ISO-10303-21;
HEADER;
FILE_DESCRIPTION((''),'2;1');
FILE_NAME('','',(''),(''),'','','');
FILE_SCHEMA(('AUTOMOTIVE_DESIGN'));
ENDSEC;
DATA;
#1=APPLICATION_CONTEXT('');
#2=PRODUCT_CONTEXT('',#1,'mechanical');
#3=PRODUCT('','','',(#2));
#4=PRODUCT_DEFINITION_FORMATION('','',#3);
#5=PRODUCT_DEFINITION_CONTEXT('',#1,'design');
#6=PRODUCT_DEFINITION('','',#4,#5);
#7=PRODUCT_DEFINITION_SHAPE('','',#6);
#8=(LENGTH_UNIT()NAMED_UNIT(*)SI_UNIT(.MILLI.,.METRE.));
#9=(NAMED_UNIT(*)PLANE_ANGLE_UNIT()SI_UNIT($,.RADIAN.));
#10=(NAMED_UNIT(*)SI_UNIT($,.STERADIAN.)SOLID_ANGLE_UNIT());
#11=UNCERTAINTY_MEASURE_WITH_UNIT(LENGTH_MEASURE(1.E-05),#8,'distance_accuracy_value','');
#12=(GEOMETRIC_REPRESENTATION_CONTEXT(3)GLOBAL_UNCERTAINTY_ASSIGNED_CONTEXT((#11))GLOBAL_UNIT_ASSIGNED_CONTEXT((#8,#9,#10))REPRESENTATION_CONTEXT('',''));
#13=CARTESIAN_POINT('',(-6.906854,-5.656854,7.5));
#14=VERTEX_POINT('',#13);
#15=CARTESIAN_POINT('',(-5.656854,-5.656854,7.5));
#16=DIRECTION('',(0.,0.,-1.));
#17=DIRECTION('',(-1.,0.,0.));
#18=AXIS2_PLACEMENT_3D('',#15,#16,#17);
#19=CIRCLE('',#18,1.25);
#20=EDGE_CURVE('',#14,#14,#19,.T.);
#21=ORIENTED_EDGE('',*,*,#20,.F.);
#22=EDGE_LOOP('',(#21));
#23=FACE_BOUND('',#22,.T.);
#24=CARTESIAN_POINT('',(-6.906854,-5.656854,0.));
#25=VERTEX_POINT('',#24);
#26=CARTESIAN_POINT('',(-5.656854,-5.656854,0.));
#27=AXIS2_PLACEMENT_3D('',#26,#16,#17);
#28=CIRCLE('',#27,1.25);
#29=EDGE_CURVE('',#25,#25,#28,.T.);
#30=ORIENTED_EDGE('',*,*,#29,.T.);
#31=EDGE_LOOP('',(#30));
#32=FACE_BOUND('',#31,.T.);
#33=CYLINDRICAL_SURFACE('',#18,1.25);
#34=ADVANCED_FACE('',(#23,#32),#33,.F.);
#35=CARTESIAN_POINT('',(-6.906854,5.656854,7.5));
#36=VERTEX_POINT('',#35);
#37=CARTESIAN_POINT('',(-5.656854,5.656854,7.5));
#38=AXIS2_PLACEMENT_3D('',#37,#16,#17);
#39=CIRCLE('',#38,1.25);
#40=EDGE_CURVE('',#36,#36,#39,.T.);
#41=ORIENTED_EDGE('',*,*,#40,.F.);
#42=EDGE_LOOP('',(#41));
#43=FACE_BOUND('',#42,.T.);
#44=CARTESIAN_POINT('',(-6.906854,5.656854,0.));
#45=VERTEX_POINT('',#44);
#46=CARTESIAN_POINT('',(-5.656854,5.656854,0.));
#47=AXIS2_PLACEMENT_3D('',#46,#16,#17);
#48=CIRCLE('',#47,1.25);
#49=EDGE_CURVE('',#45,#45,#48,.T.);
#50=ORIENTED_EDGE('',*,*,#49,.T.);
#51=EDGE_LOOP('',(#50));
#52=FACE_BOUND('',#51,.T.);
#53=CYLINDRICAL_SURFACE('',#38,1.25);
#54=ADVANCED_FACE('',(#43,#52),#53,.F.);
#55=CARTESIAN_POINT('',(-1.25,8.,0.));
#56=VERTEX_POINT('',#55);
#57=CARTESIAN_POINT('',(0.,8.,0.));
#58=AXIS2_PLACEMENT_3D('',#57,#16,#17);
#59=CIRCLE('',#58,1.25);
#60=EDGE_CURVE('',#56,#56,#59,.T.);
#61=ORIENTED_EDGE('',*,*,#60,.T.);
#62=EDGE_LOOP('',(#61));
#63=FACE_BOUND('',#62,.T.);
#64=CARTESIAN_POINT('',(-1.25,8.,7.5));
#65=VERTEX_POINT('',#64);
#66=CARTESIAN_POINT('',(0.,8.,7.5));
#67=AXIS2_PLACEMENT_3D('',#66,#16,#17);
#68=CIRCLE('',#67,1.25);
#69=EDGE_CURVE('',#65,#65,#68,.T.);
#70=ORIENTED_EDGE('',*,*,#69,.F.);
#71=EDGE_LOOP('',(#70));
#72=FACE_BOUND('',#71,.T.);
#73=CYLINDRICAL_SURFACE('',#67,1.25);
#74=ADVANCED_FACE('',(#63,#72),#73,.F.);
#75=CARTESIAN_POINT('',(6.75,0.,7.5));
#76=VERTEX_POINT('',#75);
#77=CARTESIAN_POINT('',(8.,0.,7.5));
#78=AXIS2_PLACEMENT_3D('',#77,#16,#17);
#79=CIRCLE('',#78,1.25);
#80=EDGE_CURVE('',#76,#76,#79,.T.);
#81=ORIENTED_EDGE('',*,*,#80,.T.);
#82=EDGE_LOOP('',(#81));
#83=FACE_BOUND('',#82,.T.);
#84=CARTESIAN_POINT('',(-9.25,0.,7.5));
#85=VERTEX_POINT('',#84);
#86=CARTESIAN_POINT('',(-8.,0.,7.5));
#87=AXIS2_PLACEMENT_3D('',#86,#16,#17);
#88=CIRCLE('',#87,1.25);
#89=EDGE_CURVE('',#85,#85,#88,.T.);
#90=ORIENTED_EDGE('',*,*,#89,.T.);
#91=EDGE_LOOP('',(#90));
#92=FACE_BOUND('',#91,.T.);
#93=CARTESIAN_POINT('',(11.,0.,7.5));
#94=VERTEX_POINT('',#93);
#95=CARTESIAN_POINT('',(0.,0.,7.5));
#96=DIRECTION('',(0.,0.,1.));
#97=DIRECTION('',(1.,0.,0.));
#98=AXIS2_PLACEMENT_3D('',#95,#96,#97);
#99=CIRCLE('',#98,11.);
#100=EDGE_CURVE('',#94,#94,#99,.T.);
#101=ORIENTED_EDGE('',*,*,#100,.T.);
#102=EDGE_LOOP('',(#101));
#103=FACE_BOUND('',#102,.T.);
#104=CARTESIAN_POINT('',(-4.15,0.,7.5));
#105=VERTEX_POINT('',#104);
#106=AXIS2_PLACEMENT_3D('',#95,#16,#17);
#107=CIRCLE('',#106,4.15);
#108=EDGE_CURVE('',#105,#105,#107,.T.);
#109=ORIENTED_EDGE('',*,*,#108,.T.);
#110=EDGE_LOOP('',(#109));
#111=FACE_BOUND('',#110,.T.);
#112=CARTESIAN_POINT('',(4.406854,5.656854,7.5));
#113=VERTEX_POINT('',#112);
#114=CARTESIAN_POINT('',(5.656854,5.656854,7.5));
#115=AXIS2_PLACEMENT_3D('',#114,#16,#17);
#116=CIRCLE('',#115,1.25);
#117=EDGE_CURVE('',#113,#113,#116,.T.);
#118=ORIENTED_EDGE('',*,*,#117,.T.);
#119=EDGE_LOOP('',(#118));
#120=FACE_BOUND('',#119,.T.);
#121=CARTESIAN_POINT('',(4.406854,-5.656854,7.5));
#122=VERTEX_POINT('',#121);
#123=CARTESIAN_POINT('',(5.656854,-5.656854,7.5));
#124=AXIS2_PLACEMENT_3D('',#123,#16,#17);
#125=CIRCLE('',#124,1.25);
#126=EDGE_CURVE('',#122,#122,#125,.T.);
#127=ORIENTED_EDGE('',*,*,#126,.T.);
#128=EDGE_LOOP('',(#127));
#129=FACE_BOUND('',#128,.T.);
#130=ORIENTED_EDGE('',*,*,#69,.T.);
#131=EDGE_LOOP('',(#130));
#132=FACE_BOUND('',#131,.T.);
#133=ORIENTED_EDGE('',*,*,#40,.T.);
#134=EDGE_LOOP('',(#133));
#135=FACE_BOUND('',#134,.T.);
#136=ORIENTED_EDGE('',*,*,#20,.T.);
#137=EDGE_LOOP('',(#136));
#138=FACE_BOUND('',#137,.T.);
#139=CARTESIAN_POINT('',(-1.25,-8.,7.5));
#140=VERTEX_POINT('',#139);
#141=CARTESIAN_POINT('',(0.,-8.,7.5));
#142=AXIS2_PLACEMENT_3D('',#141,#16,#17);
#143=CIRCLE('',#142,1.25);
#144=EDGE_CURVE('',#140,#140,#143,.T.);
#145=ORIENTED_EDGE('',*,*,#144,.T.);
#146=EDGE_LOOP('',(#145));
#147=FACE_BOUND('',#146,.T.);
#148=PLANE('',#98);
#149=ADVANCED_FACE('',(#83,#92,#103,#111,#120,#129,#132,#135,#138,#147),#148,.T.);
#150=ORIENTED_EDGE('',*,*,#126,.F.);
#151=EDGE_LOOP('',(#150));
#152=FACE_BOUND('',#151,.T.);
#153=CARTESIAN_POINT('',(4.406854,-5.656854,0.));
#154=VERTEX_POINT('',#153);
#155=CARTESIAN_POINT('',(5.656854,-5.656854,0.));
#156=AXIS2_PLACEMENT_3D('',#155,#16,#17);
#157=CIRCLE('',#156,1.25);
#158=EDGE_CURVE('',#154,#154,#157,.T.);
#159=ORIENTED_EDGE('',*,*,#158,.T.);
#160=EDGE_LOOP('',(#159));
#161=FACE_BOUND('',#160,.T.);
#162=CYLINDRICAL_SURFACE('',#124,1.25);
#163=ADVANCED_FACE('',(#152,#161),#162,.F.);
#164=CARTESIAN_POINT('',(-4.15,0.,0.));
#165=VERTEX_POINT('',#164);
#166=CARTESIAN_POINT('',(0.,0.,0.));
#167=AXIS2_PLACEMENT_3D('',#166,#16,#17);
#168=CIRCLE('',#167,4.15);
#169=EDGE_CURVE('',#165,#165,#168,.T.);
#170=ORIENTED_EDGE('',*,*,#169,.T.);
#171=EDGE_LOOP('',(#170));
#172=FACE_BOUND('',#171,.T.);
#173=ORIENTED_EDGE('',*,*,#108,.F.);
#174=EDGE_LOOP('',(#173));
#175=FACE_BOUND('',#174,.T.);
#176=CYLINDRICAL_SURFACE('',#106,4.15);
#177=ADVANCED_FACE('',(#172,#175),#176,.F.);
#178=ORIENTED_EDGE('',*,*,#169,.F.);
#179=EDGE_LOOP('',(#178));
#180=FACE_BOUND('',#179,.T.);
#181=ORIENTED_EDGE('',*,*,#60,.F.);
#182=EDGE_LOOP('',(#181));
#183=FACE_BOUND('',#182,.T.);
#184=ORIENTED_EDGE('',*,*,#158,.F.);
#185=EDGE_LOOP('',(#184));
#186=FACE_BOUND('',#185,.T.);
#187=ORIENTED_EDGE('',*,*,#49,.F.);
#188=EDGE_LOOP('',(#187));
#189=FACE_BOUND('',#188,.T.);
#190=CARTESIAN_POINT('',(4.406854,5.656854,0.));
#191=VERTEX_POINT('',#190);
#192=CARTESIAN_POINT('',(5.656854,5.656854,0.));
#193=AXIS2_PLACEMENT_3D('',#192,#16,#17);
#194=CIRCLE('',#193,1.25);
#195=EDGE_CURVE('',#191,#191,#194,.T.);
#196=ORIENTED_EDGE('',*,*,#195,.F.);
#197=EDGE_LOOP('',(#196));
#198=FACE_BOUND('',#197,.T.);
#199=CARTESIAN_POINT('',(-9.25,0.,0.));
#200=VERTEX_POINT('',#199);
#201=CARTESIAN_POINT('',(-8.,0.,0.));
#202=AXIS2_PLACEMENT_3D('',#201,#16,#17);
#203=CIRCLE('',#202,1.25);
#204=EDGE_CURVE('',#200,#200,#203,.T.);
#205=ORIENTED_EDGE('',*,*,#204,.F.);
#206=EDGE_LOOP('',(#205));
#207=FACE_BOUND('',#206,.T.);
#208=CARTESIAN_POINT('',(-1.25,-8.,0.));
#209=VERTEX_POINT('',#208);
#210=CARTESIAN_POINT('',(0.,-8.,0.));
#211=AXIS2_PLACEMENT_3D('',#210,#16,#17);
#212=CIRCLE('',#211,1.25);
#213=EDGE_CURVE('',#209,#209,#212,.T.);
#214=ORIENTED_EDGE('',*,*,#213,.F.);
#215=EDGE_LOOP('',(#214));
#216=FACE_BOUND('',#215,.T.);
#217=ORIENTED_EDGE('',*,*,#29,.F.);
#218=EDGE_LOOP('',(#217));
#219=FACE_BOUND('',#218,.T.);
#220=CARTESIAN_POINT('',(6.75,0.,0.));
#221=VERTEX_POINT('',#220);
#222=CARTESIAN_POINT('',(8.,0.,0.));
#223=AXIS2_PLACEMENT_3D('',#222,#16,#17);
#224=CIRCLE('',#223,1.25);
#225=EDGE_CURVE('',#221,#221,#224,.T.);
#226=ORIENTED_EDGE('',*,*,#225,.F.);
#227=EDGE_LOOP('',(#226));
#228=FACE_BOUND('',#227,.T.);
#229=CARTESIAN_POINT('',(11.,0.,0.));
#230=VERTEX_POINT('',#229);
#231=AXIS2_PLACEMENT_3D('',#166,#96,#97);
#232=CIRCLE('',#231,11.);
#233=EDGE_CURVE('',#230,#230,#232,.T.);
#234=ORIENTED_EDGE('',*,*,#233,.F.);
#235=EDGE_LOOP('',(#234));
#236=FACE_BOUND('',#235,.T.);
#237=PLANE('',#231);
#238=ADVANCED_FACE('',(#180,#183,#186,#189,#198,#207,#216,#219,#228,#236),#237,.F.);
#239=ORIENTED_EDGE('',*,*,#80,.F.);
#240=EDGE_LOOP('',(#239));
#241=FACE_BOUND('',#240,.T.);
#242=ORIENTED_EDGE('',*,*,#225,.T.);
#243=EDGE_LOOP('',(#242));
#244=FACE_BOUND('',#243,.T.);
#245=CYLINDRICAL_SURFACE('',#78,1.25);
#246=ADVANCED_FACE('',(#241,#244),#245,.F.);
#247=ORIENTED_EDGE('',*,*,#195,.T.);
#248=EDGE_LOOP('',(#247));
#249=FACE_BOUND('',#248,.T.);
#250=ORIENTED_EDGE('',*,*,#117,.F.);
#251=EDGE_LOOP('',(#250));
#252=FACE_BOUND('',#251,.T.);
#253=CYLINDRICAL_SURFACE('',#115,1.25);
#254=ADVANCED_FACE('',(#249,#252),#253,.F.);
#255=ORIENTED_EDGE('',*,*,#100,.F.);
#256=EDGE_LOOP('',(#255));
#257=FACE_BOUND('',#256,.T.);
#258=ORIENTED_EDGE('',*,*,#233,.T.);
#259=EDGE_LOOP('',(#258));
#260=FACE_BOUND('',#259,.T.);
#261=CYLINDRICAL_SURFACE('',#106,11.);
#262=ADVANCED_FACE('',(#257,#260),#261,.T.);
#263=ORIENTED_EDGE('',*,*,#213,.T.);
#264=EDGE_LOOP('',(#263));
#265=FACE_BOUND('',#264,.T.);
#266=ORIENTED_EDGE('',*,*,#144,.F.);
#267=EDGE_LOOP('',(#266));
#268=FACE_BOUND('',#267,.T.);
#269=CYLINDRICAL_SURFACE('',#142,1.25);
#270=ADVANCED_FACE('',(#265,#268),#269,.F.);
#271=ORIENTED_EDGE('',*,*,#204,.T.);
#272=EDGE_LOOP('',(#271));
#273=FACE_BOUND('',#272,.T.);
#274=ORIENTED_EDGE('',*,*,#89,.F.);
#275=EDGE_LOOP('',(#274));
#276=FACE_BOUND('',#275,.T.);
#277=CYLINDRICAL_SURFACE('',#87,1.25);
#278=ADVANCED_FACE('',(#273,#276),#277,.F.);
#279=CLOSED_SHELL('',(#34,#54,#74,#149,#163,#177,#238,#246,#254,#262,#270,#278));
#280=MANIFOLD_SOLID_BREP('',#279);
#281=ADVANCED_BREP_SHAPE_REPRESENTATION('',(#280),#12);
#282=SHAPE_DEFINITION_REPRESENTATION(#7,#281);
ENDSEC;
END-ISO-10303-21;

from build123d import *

# Parameters (mm, degrees)
SKETCH2_R           = 11
BOSS_EXTRUDE1_DEPTH = 7.5
SKETCH3_R           = 4.15
SKETCH3_R_2         = 1.25
CUT_EXTRUDE1_DEPTH  = 8.5


with BuildPart() as part:
    # Sketch2 → Boss-Extrude1 (new body)
    with BuildSketch(Plane.XY):
        Circle(SKETCH2_R)
    extrude(amount=BOSS_EXTRUDE1_DEPTH)

    # Sketch3 → Cut-Extrude1 (cut, through all)
    with BuildSketch(Plane(origin=(0, 0, 0), x_dir=(-1, 0, 0), z_dir=(0, 0, -1))):
        Circle(SKETCH3_R)
        with Locations((8, 0)):
            Circle(SKETCH3_R_2)
        with Locations((5.656854249, -5.656854249)):
            Circle(SKETCH3_R_2)
        with Locations((0, -8)):
            Circle(SKETCH3_R_2)
        with Locations((-5.656854249, -5.656854249)):
            Circle(SKETCH3_R_2)
        with Locations((-8, 0)):
            Circle(SKETCH3_R_2)
        with Locations((-5.656854249, 5.656854249)):
            Circle(SKETCH3_R_2)
        with Locations((0, 8)):
            Circle(SKETCH3_R_2)
        with Locations((5.656854249, 5.656854249)):
            Circle(SKETCH3_R_2)
    extrude(amount=-CUT_EXTRUDE1_DEPTH, mode=Mode.SUBTRACT)


solid = part.part
